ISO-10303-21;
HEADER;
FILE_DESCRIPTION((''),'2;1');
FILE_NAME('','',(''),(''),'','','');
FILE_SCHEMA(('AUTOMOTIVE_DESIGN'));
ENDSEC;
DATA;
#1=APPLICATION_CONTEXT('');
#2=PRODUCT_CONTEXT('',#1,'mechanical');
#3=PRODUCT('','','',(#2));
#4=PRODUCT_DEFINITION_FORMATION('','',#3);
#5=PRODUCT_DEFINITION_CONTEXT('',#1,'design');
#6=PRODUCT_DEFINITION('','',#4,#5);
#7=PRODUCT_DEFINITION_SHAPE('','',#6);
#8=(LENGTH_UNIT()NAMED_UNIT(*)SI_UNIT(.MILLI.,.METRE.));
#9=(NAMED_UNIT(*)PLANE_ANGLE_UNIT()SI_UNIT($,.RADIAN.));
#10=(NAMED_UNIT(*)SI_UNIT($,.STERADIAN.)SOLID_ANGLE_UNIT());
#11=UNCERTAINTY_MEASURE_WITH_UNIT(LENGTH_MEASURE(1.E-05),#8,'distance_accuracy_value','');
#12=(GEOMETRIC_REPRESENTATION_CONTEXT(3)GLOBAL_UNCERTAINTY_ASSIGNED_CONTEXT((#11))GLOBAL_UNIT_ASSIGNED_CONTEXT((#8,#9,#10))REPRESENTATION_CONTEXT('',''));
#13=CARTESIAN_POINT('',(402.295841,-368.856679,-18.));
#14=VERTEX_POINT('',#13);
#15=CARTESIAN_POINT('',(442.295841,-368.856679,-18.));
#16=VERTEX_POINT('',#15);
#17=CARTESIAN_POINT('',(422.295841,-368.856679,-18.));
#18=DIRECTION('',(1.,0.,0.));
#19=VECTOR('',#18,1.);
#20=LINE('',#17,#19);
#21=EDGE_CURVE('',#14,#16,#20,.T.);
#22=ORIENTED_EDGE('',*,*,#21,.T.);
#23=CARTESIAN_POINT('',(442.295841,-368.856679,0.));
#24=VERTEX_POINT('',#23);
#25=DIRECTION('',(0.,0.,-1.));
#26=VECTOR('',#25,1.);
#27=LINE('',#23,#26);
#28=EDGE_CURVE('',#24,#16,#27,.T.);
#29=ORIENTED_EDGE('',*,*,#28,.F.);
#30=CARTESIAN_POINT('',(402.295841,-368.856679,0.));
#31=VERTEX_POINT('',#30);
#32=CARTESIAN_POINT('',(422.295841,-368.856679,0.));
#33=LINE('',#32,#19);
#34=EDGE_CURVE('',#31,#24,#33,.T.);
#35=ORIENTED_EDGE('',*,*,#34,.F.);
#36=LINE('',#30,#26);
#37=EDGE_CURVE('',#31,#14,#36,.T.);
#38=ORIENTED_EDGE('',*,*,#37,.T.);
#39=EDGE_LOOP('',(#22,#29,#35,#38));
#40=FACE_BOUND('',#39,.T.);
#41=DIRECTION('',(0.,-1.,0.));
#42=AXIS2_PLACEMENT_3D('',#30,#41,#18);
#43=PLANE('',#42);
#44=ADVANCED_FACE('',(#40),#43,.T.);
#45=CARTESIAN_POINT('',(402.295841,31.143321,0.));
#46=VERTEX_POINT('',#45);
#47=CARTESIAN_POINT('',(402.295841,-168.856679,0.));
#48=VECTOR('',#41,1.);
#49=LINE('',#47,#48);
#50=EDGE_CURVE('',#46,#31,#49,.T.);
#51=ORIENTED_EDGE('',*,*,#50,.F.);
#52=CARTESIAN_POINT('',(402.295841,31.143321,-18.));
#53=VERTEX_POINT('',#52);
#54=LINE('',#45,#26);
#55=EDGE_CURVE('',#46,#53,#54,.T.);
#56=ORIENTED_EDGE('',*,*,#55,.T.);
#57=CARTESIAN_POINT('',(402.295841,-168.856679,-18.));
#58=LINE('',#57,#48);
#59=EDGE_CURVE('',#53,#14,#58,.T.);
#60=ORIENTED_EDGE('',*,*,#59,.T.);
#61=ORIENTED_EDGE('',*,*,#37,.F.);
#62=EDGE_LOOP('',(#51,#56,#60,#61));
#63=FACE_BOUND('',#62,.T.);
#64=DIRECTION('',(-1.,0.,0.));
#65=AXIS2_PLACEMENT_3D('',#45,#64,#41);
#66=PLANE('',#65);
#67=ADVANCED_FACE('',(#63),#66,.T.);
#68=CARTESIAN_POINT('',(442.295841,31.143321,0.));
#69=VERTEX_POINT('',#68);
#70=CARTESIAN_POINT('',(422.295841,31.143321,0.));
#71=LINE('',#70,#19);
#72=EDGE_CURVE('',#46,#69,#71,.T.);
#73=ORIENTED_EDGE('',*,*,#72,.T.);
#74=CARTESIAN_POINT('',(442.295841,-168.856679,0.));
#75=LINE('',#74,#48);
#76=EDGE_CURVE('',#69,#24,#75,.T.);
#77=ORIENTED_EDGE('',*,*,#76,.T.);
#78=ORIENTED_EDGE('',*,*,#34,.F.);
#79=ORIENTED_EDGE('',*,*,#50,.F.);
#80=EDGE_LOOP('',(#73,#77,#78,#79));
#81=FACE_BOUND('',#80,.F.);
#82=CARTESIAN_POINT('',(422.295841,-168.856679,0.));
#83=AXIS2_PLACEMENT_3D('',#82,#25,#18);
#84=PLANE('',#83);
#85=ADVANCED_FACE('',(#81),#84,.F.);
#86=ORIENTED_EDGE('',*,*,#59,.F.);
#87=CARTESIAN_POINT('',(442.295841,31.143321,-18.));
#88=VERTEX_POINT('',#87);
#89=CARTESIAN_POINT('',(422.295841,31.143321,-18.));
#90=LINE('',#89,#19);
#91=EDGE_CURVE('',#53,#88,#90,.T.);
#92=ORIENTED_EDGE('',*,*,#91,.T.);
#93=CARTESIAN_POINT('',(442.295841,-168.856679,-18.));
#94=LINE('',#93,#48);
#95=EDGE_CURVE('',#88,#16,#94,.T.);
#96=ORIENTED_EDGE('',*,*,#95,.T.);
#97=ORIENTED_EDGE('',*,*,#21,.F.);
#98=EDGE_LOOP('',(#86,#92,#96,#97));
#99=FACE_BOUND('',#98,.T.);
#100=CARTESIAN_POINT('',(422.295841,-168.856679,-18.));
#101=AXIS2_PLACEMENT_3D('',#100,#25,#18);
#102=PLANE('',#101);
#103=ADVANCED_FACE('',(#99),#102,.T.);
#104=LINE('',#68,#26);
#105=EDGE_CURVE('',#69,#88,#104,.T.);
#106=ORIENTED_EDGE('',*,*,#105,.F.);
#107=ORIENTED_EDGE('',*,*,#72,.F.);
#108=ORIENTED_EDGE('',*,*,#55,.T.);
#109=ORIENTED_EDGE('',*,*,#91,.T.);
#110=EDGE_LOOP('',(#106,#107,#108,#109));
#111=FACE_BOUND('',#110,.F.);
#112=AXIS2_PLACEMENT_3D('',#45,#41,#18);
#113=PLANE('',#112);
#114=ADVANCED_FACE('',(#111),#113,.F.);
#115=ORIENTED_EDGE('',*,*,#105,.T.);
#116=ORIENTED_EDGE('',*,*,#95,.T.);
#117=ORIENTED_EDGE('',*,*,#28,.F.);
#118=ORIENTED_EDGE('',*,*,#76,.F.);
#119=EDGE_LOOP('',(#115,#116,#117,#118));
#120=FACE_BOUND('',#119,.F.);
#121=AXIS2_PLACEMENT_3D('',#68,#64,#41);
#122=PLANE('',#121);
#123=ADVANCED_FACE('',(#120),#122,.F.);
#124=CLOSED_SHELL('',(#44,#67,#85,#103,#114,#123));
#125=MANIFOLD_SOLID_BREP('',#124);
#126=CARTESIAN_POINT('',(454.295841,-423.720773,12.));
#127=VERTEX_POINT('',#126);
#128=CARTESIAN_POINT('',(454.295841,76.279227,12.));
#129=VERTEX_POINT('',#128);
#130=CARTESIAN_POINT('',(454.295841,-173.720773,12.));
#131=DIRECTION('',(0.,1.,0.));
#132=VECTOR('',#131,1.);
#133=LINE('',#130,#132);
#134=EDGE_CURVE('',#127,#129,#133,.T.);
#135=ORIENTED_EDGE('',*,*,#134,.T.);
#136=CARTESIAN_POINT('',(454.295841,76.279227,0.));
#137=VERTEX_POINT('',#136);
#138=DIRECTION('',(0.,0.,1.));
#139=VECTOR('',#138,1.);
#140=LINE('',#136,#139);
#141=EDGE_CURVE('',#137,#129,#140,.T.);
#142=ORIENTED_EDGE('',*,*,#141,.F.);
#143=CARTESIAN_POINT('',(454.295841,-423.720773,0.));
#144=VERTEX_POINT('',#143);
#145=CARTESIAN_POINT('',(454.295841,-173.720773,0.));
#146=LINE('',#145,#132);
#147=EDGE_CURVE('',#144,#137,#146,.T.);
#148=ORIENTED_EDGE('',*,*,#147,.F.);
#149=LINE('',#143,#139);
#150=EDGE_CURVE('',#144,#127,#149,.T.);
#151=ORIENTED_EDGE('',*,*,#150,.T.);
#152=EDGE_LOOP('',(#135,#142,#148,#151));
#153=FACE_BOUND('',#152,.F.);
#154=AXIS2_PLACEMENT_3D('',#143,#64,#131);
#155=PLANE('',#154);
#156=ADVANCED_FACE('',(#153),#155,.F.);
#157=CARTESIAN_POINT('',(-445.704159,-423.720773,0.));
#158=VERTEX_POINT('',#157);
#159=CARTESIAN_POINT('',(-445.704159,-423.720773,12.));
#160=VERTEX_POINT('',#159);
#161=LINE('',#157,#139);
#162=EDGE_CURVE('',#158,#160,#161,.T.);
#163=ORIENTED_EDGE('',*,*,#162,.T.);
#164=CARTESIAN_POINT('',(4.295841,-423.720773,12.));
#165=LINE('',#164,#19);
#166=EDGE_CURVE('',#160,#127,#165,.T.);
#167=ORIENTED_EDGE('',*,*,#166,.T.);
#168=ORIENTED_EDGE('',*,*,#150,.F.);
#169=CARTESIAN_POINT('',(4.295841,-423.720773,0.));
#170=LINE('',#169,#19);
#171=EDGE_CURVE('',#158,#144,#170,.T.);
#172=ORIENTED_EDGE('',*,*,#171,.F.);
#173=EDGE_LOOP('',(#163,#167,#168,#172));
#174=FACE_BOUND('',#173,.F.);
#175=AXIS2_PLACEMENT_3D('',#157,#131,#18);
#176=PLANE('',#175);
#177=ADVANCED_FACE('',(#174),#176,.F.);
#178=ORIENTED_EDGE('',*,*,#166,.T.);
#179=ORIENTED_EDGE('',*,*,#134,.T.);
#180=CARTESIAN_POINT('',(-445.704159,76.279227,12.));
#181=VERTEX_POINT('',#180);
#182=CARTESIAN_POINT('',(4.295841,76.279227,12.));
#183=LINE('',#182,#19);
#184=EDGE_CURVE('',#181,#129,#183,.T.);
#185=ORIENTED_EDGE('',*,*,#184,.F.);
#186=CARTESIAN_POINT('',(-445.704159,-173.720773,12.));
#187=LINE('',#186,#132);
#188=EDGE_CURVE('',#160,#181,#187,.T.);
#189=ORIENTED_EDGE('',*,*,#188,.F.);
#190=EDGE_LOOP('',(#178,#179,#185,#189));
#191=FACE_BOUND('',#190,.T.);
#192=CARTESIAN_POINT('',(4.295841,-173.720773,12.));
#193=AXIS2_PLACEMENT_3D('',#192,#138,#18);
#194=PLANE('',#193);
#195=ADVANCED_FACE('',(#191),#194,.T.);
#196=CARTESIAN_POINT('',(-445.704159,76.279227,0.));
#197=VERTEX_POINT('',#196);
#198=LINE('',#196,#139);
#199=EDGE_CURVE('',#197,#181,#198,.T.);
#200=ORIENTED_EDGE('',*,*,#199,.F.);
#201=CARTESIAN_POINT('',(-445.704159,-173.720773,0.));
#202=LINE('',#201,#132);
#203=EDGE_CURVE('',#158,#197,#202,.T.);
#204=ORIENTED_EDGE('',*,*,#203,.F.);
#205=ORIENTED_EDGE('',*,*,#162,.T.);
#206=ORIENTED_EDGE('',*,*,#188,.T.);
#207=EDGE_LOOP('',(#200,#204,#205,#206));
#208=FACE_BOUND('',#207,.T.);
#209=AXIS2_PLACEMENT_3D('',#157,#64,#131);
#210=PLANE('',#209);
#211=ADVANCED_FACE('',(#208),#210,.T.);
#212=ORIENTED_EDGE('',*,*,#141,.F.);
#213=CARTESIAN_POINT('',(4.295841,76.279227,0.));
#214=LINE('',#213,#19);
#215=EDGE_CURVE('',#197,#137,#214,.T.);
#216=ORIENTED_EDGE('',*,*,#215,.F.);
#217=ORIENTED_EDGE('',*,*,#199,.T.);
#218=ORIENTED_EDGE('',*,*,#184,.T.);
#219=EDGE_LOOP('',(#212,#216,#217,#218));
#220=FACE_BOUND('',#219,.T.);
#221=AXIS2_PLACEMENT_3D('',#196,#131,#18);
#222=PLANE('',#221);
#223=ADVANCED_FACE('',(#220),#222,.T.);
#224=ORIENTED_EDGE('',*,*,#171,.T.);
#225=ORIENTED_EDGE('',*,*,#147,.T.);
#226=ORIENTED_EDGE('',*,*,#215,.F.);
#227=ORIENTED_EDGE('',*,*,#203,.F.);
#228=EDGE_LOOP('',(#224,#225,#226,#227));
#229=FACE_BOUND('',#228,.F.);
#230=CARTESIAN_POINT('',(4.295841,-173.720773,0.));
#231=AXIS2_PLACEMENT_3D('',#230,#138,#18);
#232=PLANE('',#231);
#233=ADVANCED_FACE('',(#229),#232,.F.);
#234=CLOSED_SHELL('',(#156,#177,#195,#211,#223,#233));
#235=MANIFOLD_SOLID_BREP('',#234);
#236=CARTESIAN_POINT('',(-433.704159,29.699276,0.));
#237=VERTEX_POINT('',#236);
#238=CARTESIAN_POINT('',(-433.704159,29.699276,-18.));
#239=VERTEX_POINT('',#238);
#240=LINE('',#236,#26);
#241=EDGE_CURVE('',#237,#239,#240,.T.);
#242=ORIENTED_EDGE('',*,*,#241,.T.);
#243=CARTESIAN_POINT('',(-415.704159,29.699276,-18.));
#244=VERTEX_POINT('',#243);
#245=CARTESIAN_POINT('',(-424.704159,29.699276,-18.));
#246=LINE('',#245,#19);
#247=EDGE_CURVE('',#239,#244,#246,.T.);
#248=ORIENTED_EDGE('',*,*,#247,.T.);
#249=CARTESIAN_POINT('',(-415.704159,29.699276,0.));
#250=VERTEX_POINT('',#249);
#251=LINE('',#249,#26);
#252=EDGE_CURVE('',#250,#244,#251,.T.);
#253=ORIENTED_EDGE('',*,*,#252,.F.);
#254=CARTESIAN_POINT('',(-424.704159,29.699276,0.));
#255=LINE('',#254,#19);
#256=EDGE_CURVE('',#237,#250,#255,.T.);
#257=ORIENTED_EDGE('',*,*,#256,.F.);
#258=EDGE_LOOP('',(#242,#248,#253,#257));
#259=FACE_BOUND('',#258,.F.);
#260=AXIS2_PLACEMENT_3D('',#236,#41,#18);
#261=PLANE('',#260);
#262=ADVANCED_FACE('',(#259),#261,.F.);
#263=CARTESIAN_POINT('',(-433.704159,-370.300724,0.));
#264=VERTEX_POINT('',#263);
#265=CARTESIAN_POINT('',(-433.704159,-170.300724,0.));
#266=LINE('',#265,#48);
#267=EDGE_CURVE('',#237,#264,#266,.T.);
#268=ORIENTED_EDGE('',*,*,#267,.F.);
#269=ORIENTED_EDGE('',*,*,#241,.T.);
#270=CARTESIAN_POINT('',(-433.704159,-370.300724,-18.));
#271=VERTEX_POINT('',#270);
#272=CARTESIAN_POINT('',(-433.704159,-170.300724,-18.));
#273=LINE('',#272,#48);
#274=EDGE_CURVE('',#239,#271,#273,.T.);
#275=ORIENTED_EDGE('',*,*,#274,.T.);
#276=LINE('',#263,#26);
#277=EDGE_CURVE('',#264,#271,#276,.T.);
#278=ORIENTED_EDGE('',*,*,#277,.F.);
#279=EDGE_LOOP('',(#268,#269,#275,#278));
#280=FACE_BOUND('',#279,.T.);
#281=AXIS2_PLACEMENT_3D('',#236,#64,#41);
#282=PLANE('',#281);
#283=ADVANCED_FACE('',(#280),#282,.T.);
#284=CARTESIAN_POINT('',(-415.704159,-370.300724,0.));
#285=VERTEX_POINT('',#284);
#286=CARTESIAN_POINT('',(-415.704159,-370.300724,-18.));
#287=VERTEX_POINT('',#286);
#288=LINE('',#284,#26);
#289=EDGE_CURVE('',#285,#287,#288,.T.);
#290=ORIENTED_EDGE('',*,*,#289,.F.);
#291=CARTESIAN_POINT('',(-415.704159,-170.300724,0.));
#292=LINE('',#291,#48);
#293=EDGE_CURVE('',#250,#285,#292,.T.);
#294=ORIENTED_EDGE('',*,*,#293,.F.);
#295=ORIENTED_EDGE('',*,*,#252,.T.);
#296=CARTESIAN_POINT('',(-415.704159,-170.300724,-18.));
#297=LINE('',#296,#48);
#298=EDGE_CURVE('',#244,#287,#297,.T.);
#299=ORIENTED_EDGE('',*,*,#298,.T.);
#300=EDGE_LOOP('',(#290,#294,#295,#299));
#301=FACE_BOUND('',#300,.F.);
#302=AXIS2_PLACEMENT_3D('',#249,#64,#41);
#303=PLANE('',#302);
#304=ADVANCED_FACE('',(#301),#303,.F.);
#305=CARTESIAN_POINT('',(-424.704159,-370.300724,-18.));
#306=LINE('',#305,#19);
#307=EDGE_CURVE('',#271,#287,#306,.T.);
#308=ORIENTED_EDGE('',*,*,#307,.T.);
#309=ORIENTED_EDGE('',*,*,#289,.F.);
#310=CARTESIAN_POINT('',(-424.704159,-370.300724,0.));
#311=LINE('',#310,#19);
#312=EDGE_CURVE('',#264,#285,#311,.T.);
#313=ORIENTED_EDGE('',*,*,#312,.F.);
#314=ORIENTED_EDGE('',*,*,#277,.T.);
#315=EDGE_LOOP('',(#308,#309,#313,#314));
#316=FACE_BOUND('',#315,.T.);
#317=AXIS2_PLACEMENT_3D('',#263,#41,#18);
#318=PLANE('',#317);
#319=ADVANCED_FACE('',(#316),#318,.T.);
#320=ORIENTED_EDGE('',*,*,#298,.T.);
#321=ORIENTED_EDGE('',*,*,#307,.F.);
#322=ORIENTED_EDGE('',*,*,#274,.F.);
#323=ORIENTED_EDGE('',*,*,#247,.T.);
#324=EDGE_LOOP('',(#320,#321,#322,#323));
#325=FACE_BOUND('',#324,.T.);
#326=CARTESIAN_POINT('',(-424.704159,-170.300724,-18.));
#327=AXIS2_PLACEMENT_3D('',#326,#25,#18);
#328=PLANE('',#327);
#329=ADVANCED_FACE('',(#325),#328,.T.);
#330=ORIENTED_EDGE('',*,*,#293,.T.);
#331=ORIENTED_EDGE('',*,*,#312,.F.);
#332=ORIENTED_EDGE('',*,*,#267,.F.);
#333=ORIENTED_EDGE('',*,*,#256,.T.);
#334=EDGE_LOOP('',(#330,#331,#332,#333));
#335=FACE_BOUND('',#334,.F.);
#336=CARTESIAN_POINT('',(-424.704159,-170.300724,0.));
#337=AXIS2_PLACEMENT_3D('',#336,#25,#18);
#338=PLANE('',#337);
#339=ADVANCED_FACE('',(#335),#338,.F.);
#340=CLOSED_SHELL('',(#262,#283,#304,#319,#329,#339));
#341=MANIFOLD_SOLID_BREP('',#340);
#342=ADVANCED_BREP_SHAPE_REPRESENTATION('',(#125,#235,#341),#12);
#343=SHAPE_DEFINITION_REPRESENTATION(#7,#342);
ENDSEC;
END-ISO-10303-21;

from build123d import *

# Parameters (mm, degrees)
F0_W     = 900
F0_H     = 500
F1_DEPTH = 12
F2_W     = 18
F2_H     = 400
F2_W_2   = 40
F3_DEPTH = 18


with BuildPart() as f1:
    # F0 (on Top) → F1 (new body)
    with BuildSketch(Plane.XY):
        with Locations((4.295841, -173.720773)):
            Rectangle(F0_W, F0_H)
    extrude(amount=F1_DEPTH)


with BuildPart() as f3:
    # F2 (on face) → F3 (new body)
    with BuildSketch(Plane(origin=(0, 0, 0), x_dir=(1, 0, 0), z_dir=(0, 0, -1))):
        with Locations((-424.704159, 170.300724)):
            Rectangle(F2_W, F2_H)
        with Locations((422.295841, 168.856679)):
            Rectangle(F2_W_2, F2_H)
    extrude(amount=F3_DEPTH)


solid = Compound([f1.part, f3.part])
